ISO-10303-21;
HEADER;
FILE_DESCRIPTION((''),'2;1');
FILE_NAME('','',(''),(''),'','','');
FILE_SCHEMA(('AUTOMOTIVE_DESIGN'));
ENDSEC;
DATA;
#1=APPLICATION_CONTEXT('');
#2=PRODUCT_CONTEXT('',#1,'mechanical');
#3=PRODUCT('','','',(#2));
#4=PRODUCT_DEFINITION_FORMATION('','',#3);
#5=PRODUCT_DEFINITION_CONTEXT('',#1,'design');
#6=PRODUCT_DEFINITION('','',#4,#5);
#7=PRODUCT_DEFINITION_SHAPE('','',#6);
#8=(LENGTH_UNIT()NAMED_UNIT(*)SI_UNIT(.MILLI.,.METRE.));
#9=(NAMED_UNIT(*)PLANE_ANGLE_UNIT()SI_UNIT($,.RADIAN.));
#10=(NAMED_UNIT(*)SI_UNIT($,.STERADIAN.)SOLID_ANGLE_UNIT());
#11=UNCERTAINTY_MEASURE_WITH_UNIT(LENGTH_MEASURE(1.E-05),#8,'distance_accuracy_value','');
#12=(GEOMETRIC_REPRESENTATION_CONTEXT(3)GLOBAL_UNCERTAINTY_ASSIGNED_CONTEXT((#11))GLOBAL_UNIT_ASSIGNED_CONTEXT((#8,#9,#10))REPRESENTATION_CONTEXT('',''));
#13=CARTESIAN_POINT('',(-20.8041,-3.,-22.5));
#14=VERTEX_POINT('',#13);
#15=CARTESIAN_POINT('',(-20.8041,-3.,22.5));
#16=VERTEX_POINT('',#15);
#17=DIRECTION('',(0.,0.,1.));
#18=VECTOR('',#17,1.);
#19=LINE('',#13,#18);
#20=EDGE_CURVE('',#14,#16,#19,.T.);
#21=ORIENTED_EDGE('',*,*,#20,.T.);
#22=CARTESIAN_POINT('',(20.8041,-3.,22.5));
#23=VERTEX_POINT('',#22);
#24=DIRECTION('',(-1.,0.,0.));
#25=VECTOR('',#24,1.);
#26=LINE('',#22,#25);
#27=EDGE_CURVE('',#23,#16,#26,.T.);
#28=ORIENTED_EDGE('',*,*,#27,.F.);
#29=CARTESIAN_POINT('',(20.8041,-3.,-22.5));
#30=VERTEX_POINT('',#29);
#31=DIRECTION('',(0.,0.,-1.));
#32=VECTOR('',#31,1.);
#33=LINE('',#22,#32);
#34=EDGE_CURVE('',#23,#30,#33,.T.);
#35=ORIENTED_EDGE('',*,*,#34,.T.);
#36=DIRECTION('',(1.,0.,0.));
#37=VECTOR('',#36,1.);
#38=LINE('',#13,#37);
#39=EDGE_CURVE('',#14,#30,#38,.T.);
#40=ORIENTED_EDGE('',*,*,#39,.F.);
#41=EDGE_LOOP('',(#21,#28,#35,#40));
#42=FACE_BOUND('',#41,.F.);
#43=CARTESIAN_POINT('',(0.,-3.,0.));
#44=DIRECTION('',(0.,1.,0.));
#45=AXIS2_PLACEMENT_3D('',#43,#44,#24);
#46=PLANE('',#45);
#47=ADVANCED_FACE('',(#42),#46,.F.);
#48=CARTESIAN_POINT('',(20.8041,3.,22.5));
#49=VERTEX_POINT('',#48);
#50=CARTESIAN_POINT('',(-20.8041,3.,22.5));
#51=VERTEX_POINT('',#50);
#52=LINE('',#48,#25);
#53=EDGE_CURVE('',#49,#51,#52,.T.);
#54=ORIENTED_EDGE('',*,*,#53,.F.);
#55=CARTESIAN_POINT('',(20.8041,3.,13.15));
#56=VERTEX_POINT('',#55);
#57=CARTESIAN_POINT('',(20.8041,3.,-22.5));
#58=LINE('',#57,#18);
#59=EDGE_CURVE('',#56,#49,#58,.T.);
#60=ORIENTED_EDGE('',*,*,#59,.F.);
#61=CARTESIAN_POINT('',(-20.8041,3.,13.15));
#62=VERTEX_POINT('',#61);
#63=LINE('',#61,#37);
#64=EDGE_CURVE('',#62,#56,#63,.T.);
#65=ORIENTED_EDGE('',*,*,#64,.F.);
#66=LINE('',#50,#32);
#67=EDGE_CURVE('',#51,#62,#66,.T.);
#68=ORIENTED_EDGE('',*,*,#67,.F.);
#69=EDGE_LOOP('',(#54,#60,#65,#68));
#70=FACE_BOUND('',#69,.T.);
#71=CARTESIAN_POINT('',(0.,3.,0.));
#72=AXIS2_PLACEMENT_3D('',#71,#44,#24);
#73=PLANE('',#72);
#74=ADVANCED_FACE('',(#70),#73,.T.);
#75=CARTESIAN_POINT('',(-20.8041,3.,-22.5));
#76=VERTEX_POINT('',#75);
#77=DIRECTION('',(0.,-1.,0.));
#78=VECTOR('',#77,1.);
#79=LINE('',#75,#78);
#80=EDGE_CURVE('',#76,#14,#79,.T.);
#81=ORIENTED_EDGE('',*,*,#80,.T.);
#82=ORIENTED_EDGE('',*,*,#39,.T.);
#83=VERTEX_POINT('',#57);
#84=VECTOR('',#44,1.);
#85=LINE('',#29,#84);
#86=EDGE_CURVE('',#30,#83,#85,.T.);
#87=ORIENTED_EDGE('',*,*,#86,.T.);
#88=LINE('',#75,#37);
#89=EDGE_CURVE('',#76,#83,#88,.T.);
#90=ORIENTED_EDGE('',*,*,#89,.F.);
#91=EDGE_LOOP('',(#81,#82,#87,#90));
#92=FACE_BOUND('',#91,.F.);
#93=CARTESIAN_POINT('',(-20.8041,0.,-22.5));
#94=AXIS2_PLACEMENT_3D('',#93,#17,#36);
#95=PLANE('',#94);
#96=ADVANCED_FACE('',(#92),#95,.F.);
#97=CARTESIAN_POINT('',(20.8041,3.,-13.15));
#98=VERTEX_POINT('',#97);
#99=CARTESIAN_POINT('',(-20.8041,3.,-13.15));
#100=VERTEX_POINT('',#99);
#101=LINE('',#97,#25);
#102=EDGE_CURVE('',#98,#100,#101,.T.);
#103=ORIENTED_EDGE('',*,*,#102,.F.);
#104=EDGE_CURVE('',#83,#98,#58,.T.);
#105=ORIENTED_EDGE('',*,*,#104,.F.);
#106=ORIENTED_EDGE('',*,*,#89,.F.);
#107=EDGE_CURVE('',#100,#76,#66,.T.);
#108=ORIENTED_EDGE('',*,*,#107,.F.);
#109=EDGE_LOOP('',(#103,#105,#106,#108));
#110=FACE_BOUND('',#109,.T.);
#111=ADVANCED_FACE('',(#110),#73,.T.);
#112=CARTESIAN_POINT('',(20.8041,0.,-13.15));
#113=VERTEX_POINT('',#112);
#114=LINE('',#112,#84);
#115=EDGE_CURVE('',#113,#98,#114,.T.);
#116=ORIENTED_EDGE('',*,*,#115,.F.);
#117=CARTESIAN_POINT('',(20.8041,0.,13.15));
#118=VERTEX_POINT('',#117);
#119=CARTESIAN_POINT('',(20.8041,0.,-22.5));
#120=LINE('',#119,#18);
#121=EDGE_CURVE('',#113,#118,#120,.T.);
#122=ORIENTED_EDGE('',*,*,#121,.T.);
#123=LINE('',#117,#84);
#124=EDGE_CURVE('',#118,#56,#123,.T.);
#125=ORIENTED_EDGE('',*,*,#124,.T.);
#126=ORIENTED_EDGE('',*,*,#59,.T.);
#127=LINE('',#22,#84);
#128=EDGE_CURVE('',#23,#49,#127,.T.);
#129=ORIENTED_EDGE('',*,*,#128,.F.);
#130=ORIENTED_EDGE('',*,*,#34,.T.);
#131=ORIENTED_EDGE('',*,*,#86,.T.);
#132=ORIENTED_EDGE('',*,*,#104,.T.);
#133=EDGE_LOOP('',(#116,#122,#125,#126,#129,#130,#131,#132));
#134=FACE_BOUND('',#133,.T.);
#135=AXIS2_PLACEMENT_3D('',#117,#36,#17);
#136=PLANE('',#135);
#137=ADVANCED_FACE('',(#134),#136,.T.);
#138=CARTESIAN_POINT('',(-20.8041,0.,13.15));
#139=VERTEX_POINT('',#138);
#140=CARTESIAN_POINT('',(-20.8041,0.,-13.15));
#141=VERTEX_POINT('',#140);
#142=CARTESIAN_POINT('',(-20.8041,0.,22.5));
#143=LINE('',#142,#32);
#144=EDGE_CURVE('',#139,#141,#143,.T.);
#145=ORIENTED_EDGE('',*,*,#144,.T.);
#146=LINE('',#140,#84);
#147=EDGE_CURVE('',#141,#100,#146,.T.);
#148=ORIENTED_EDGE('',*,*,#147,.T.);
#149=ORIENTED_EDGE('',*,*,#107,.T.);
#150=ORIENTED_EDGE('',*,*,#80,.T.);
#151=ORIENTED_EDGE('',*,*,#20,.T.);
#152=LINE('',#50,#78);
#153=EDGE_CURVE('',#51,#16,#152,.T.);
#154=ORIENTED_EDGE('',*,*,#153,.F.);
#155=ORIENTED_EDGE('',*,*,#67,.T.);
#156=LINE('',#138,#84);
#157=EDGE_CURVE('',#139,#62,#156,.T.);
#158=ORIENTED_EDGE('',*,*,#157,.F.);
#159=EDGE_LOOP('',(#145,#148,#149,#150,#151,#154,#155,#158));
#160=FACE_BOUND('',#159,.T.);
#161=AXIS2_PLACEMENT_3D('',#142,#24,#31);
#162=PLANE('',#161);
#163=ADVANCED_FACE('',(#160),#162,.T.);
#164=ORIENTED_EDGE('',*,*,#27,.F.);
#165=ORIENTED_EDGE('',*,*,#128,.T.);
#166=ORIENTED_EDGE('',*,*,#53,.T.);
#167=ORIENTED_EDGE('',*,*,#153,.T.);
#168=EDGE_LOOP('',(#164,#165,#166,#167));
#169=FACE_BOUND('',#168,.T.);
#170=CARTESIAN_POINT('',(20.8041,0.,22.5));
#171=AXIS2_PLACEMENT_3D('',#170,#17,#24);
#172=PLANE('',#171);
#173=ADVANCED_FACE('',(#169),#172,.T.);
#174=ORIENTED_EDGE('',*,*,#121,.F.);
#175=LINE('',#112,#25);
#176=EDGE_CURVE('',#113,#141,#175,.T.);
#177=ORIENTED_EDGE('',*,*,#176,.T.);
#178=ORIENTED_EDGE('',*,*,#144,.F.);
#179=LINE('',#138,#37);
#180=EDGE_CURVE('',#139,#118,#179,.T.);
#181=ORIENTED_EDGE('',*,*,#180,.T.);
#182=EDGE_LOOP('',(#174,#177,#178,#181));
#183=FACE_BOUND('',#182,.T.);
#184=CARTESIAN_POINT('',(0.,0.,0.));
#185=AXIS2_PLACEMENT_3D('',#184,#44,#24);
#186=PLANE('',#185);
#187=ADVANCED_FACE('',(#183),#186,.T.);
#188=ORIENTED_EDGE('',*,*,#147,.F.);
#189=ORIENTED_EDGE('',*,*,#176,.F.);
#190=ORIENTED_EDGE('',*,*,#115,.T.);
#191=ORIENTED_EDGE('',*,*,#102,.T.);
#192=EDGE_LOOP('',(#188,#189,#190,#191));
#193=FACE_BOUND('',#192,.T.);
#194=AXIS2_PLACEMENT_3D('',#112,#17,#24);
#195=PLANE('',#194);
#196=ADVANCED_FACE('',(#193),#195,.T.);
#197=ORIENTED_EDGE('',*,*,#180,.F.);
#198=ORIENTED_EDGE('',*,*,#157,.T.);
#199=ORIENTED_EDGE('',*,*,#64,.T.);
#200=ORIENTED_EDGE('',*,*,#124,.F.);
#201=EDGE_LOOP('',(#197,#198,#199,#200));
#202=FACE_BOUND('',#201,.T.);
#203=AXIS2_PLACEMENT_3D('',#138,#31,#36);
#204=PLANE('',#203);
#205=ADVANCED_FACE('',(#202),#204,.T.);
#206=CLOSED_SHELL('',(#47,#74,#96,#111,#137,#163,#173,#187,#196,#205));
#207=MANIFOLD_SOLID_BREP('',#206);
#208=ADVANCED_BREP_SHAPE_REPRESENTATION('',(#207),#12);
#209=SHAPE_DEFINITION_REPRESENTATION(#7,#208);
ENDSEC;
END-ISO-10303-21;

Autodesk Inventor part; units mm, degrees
ref_plane "YZ Plane" through (0, 0, 0) normal (1, 0, 0) x (0, 1, 0)
ref_plane "XZ Plane" through (0, 0, 0) normal (0, 1, 0) x (-1, 0, 0)
ref_plane "XY Plane" through (0, 0, 0) normal (0, 0, 1) x (1, 0, 0)
sketch "Sketch1" plane through (0, 0, 0) normal (0, 1, 0) x (-1, 0, 0)
  line L0 (-20.8041, 22.5) -> (20.8041, 22.5)
  line L1 (20.8041, 22.5) -> (20.8041, -22.5)
  line L2 (20.8041, -22.5) -> (-20.8041, -22.5)
  line L3 (-20.8041, -22.5) -> (-20.8041, 22.5)
  line L4 (-20.8041, 22.5) -> (20.8041, -22.5) construction
  line L5 (20.8041, 22.5) -> (-20.8041, -22.5) construction
  line L6 (-20.8041, -13.15) -> (20.8041, -13.15)
  line L7 (20.8041, -13.15) -> (20.8041, 13.15)
  line L8 (20.8041, 13.15) -> (-20.8041, 13.15)
  line L9 (-20.8041, 13.15) -> (-20.8041, -13.15)
  line L10 (-20.8041, -13.15) -> (20.8041, 13.15) construction
  line L11 (20.8041, -13.15) -> (-20.8041, 13.15) construction
  point P0 (0, 0)
  dimension "d0" = 26.3
  dimension "d1" = 45
extrude "Extrusion1" add sketch "Sketch1" along normal blind 3 contours L0 L1 L8 L3 | L6 L1 L2 L3
extrude "Extrusion2" add sketch "Sketch1" against normal blind 3
properties part number "ESPACIADOR_CREMALLERA" material "Steel, Mild, Welded"
